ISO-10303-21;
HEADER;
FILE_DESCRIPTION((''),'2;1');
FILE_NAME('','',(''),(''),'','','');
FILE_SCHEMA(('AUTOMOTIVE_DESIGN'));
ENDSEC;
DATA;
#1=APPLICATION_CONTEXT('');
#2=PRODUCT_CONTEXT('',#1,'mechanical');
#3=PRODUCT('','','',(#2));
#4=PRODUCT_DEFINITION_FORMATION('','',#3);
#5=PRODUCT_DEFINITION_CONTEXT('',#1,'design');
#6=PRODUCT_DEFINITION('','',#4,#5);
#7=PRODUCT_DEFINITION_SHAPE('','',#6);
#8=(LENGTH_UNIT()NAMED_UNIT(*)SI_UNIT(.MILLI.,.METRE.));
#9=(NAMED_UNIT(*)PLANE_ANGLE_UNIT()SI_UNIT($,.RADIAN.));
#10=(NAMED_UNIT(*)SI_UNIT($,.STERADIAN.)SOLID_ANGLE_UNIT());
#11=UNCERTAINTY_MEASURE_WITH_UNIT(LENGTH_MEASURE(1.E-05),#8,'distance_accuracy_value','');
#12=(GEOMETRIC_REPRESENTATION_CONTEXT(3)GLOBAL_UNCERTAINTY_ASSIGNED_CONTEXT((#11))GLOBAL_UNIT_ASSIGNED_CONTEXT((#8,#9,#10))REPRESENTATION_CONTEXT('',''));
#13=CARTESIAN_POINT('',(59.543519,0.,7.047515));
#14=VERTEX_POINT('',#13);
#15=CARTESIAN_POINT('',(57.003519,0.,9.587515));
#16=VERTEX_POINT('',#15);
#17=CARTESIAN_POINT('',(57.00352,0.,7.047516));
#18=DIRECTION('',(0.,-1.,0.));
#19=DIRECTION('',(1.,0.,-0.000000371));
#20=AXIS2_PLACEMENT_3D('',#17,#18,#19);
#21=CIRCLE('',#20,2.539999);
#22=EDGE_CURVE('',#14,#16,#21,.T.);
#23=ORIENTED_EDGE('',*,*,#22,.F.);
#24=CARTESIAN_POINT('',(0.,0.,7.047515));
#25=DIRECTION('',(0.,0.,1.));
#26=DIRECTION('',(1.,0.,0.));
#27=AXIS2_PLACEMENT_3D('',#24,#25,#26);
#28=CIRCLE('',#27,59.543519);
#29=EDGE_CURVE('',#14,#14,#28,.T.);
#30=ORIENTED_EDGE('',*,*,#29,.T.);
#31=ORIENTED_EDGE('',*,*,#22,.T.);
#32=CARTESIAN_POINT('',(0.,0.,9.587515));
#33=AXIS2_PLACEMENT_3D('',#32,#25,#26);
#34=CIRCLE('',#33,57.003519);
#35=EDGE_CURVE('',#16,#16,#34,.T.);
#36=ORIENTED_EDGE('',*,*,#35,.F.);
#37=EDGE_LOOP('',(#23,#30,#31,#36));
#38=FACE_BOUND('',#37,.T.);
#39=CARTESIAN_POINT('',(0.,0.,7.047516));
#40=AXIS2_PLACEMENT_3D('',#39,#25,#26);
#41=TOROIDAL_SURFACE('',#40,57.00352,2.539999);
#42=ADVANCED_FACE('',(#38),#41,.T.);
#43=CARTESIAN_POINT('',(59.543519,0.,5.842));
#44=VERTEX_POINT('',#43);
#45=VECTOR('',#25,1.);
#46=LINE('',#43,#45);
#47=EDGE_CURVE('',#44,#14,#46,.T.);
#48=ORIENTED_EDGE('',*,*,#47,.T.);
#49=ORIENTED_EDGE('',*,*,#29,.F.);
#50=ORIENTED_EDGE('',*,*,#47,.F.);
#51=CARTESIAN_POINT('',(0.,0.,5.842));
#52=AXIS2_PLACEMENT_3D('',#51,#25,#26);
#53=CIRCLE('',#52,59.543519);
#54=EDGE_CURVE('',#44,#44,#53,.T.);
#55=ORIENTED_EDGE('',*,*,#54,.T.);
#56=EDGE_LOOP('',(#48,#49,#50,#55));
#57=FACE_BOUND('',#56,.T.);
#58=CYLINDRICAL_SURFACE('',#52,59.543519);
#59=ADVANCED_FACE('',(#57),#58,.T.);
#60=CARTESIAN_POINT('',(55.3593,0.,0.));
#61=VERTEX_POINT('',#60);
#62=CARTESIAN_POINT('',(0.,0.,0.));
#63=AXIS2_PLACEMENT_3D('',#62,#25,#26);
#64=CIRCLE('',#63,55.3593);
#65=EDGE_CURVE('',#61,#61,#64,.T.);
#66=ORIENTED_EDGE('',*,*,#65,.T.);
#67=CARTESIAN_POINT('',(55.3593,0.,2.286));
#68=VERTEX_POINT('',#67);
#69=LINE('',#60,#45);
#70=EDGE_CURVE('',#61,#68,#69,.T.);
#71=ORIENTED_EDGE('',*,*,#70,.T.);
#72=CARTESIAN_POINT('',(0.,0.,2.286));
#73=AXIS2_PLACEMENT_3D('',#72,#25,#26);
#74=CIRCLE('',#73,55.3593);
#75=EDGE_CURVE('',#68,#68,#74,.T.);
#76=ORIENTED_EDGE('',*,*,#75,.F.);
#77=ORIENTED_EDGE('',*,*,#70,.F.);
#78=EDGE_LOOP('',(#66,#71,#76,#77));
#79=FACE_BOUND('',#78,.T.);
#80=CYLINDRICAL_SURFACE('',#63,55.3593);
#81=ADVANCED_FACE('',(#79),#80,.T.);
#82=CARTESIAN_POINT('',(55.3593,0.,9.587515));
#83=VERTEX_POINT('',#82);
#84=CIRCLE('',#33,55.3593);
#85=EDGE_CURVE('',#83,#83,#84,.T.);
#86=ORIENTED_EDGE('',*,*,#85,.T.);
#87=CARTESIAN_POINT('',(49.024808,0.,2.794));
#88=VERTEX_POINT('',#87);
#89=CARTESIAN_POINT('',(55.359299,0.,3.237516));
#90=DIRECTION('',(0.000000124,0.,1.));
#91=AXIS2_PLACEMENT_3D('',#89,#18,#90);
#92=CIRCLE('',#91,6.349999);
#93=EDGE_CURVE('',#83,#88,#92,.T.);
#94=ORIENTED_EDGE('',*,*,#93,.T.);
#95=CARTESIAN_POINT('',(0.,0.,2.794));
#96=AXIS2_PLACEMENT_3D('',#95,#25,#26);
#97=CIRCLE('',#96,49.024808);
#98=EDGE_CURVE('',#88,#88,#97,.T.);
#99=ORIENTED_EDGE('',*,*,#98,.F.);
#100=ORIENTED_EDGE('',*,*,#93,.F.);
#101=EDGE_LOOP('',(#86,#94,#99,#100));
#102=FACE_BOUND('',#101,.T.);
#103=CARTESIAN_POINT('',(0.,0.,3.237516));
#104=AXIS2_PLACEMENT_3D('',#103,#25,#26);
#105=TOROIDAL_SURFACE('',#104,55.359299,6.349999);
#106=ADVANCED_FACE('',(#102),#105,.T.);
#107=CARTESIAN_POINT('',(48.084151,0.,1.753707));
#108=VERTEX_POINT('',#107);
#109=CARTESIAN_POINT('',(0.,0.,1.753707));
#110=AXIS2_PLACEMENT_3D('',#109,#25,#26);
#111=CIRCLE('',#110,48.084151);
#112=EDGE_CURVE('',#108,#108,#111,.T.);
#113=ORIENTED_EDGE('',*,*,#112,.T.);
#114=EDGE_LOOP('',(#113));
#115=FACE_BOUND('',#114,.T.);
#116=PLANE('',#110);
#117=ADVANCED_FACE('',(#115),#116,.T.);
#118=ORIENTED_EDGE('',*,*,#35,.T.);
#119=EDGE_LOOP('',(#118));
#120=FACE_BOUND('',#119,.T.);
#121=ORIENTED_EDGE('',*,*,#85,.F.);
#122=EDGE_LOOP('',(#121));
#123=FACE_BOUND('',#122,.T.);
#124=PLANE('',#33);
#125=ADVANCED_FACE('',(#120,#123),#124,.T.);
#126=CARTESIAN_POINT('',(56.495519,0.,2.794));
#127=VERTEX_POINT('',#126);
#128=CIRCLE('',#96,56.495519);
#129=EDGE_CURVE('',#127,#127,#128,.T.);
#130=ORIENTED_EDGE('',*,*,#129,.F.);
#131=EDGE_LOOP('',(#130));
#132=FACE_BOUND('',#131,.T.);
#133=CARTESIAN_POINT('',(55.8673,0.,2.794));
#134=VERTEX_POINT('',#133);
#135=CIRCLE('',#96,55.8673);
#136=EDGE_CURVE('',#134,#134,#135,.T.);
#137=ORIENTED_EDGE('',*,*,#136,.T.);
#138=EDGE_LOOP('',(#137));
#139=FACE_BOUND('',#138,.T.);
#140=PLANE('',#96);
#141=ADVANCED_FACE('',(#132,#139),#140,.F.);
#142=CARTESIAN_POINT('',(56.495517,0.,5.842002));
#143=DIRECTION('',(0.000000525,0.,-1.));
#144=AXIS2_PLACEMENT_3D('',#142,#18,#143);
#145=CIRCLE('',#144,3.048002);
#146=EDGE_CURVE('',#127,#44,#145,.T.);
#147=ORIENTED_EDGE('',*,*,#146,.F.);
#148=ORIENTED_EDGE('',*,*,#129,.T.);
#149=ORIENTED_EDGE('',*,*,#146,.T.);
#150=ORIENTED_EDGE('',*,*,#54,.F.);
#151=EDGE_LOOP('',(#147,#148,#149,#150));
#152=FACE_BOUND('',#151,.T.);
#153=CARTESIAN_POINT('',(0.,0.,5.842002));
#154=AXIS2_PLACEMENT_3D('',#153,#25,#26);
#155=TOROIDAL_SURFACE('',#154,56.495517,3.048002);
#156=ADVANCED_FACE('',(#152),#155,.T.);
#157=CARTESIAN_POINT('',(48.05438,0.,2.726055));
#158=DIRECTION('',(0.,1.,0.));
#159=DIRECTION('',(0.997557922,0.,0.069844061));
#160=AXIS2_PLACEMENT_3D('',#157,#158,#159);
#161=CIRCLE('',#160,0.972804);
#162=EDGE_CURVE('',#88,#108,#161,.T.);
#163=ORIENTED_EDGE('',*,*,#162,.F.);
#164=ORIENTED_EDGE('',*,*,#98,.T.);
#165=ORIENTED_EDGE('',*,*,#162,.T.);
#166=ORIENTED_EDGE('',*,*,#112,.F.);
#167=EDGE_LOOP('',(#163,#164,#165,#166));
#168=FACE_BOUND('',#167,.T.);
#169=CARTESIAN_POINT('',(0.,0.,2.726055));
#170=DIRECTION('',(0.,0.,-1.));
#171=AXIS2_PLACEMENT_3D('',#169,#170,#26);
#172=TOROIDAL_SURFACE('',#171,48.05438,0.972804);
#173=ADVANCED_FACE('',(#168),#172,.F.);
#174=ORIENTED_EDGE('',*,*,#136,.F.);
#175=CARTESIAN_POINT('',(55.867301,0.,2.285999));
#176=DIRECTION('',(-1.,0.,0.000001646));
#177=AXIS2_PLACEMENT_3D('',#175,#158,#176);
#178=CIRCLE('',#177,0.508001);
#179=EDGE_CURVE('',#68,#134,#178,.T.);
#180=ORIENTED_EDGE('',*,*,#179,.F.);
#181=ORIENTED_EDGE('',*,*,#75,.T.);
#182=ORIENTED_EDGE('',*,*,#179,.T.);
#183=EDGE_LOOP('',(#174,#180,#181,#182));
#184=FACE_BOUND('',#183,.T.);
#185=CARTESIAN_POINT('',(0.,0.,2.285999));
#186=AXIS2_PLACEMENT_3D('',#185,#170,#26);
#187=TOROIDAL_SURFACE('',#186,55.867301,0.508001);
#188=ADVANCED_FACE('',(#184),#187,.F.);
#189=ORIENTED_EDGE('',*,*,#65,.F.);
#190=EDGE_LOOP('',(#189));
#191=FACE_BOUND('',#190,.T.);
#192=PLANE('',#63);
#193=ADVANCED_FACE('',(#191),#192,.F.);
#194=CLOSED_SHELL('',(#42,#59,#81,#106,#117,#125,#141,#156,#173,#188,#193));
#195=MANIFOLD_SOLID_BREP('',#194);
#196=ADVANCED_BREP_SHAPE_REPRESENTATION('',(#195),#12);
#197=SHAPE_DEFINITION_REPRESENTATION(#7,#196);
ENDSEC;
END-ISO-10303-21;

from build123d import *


with BuildPart() as f1:
    # F0 (on Front) → F1 (revolve)
    with BuildSketch(Plane.XZ):
        with BuildLine():
            Line((0, 1.753707), (0, 0))
            Line((0, 0), (55.3593, 0))
            Line((55.3593, 0), (55.3593, 2.286))
            ThreePointArc((55.3593, 2.286), (55.50809, 2.64521), (55.8673, 2.794))
            Line((55.8673, 2.794), (56.495519, 2.794))
            ThreePointArc((56.495519, 2.794), (58.65078, 3.686739), (59.543519, 5.842))
            Line((59.543519, 5.842), (59.543519, 7.047515))
            ThreePointArc((59.543519, 7.047515), (58.79957, 8.843567), (57.003519, 9.587515))
            Line((57.003519, 9.587515), (55.3593, 9.587515))
            ThreePointArc((55.3593, 9.587515), (50.715012, 7.567999), (49.024808, 2.794))
            ThreePointArc((49.024808, 2.794), (48.775942, 2.073602), (48.084151, 1.753707))
            Line((48.084151, 1.753707), (0, 1.753707))
        make_face()
    revolve(axis=Axis((0, 0, 0.876853), (0, 0, 1)))


solid = f1.part
